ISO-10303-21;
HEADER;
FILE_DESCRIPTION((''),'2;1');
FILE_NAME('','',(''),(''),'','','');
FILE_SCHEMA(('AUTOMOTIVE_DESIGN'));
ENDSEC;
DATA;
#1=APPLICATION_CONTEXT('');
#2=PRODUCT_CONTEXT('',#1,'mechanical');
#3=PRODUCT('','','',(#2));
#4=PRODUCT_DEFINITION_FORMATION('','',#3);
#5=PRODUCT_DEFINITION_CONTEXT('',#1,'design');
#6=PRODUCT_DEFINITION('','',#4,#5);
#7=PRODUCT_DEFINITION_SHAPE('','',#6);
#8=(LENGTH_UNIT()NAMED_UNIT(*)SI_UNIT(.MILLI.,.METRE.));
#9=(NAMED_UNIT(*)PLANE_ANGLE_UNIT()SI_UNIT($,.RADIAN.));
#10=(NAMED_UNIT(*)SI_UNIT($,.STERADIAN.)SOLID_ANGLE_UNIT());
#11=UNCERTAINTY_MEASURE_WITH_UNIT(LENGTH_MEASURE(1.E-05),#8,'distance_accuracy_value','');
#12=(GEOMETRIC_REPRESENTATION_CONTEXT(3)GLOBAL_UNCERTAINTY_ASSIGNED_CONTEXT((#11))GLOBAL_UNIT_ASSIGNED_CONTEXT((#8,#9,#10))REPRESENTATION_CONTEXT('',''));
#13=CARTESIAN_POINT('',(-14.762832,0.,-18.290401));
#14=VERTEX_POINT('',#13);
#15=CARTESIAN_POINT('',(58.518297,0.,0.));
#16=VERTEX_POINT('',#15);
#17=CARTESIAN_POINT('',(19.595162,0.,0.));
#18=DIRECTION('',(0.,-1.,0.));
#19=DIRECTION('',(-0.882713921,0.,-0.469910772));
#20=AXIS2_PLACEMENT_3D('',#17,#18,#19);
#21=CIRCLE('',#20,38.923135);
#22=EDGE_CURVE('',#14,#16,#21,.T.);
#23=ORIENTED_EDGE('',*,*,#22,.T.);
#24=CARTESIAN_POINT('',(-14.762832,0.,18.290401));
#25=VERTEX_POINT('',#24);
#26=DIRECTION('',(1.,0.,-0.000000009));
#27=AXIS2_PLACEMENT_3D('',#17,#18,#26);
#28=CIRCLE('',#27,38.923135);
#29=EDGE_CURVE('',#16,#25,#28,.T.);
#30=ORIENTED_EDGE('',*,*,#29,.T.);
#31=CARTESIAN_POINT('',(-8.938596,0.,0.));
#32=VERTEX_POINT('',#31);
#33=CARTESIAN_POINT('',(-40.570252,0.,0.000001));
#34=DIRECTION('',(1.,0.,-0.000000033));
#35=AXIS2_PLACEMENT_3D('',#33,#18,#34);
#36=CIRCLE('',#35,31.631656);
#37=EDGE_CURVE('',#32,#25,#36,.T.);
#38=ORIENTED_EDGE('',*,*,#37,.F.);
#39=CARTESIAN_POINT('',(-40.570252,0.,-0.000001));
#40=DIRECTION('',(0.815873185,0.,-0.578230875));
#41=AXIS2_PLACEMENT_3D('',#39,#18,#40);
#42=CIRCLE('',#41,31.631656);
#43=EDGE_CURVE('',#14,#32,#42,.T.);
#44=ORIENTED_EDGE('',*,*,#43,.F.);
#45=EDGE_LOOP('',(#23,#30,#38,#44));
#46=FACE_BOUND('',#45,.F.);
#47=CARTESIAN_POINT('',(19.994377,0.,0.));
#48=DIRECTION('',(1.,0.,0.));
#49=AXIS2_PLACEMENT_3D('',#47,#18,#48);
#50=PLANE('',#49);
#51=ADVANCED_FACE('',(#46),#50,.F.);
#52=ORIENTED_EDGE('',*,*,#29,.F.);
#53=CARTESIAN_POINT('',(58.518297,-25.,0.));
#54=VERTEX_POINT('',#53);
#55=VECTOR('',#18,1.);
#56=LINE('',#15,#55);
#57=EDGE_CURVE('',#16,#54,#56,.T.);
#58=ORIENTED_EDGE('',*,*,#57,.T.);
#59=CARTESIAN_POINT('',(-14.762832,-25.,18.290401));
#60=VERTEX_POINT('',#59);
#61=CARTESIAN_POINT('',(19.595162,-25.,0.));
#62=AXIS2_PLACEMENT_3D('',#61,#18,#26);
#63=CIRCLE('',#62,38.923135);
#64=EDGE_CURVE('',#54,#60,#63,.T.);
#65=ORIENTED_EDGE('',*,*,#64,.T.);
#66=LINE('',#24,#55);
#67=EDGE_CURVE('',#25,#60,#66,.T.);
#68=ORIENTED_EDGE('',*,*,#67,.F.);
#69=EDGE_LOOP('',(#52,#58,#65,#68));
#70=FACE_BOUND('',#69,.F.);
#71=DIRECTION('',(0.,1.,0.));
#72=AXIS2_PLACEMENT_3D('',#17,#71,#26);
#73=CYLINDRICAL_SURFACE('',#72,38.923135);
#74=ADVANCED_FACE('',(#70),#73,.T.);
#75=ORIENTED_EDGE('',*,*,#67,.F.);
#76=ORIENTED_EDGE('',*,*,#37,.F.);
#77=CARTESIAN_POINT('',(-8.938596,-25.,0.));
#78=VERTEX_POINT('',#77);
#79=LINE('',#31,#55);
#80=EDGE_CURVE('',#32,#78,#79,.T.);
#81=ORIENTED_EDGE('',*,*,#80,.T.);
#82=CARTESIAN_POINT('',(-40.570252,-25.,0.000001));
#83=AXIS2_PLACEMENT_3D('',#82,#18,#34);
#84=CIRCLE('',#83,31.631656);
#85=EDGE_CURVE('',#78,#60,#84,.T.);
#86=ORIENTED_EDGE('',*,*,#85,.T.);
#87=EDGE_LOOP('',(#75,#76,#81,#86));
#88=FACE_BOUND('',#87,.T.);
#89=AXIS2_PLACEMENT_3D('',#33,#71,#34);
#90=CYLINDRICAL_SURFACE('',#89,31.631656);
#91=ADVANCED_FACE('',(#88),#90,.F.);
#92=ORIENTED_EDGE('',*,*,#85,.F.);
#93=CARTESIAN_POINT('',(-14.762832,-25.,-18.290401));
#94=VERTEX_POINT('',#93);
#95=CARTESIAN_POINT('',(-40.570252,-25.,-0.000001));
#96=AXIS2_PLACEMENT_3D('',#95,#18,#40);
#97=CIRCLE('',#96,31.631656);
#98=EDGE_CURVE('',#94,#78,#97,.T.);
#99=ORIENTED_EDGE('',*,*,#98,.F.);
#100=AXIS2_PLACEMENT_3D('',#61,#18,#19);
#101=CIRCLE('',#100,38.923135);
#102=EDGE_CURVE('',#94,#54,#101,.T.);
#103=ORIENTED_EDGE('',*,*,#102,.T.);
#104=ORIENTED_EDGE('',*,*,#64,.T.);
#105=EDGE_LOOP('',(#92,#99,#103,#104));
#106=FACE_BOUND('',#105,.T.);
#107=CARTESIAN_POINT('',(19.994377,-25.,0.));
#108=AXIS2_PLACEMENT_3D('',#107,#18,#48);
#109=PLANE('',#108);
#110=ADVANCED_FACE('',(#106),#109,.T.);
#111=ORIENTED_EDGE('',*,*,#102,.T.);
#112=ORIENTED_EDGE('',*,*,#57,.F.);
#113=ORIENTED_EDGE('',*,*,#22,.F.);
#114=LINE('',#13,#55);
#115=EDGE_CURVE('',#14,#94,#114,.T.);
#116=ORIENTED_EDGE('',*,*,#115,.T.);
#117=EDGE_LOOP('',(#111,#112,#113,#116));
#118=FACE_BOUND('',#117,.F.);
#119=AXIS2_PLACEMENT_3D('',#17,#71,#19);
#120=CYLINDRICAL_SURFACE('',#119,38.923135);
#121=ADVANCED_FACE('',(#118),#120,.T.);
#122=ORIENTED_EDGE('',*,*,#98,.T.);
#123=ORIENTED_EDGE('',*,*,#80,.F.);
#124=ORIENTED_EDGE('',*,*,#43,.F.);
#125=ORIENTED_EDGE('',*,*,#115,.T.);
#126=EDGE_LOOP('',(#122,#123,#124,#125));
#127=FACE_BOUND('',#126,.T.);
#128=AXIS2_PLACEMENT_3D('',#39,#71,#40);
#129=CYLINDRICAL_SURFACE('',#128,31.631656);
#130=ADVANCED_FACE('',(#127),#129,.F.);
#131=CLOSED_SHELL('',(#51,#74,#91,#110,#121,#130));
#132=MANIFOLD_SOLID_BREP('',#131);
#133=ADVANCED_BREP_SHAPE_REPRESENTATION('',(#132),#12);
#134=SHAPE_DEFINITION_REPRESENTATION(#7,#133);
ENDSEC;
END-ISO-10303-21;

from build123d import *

# Parameters (mm, degrees)
F1_DEPTH = 25
F2_DEPTH = 25


with BuildPart() as f1:
    # F0 (on Front) → F1 (new body)
    with BuildSketch(Plane.XZ):
        with BuildLine():
            ThreePointArc((-14.762832, -18.290401), (-19.327975, 0), (-14.762832, 18.290401))
            ThreePointArc((-14.762832, 18.290401), (-72.201915, 0), (-14.762832, -18.290401))
        make_face()
        with BuildLine():
            ThreePointArc((-14.762832, -18.290401), (-10.429805, -9.597663), (-8.938596, 0))
            ThreePointArc((-8.938596, 0), (-10.429805, 9.597663), (-14.762832, 18.290401))
            ThreePointArc((-14.762832, 18.290401), (-19.327975, 0), (-14.762832, -18.290401))
        make_face()
    extrude(amount=F1_DEPTH)


with BuildPart() as f2:
    # F0 (on Front) → F2 (new body)
    with BuildSketch(Plane.XZ):
        with BuildLine():
            ThreePointArc((-14.762832, 18.290401), (-10.429805, 9.597663), (-8.938596, 0))
            ThreePointArc((-8.938596, 0), (-10.429805, -9.597663), (-14.762832, -18.290401))
            ThreePointArc((-14.762832, -18.290401), (29.020914, -37.764609), (58.518297, 0))
            ThreePointArc((58.518297, 0), (29.020914, 37.764609), (-14.762832, 18.290401))
        make_face()
        with BuildLine():
            ThreePointArc((-14.762832, -18.290401), (-10.429805, -9.597663), (-8.938596, 0))
            ThreePointArc((-8.938596, 0), (-10.429805, 9.597663), (-14.762832, 18.290401))
            ThreePointArc((-14.762832, 18.290401), (-19.327975, 0), (-14.762832, -18.290401))
        make_face()
    extrude(amount=F2_DEPTH)

    # F3: cut F1
    add(f1.part, mode=Mode.SUBTRACT)


solid = f2.part
